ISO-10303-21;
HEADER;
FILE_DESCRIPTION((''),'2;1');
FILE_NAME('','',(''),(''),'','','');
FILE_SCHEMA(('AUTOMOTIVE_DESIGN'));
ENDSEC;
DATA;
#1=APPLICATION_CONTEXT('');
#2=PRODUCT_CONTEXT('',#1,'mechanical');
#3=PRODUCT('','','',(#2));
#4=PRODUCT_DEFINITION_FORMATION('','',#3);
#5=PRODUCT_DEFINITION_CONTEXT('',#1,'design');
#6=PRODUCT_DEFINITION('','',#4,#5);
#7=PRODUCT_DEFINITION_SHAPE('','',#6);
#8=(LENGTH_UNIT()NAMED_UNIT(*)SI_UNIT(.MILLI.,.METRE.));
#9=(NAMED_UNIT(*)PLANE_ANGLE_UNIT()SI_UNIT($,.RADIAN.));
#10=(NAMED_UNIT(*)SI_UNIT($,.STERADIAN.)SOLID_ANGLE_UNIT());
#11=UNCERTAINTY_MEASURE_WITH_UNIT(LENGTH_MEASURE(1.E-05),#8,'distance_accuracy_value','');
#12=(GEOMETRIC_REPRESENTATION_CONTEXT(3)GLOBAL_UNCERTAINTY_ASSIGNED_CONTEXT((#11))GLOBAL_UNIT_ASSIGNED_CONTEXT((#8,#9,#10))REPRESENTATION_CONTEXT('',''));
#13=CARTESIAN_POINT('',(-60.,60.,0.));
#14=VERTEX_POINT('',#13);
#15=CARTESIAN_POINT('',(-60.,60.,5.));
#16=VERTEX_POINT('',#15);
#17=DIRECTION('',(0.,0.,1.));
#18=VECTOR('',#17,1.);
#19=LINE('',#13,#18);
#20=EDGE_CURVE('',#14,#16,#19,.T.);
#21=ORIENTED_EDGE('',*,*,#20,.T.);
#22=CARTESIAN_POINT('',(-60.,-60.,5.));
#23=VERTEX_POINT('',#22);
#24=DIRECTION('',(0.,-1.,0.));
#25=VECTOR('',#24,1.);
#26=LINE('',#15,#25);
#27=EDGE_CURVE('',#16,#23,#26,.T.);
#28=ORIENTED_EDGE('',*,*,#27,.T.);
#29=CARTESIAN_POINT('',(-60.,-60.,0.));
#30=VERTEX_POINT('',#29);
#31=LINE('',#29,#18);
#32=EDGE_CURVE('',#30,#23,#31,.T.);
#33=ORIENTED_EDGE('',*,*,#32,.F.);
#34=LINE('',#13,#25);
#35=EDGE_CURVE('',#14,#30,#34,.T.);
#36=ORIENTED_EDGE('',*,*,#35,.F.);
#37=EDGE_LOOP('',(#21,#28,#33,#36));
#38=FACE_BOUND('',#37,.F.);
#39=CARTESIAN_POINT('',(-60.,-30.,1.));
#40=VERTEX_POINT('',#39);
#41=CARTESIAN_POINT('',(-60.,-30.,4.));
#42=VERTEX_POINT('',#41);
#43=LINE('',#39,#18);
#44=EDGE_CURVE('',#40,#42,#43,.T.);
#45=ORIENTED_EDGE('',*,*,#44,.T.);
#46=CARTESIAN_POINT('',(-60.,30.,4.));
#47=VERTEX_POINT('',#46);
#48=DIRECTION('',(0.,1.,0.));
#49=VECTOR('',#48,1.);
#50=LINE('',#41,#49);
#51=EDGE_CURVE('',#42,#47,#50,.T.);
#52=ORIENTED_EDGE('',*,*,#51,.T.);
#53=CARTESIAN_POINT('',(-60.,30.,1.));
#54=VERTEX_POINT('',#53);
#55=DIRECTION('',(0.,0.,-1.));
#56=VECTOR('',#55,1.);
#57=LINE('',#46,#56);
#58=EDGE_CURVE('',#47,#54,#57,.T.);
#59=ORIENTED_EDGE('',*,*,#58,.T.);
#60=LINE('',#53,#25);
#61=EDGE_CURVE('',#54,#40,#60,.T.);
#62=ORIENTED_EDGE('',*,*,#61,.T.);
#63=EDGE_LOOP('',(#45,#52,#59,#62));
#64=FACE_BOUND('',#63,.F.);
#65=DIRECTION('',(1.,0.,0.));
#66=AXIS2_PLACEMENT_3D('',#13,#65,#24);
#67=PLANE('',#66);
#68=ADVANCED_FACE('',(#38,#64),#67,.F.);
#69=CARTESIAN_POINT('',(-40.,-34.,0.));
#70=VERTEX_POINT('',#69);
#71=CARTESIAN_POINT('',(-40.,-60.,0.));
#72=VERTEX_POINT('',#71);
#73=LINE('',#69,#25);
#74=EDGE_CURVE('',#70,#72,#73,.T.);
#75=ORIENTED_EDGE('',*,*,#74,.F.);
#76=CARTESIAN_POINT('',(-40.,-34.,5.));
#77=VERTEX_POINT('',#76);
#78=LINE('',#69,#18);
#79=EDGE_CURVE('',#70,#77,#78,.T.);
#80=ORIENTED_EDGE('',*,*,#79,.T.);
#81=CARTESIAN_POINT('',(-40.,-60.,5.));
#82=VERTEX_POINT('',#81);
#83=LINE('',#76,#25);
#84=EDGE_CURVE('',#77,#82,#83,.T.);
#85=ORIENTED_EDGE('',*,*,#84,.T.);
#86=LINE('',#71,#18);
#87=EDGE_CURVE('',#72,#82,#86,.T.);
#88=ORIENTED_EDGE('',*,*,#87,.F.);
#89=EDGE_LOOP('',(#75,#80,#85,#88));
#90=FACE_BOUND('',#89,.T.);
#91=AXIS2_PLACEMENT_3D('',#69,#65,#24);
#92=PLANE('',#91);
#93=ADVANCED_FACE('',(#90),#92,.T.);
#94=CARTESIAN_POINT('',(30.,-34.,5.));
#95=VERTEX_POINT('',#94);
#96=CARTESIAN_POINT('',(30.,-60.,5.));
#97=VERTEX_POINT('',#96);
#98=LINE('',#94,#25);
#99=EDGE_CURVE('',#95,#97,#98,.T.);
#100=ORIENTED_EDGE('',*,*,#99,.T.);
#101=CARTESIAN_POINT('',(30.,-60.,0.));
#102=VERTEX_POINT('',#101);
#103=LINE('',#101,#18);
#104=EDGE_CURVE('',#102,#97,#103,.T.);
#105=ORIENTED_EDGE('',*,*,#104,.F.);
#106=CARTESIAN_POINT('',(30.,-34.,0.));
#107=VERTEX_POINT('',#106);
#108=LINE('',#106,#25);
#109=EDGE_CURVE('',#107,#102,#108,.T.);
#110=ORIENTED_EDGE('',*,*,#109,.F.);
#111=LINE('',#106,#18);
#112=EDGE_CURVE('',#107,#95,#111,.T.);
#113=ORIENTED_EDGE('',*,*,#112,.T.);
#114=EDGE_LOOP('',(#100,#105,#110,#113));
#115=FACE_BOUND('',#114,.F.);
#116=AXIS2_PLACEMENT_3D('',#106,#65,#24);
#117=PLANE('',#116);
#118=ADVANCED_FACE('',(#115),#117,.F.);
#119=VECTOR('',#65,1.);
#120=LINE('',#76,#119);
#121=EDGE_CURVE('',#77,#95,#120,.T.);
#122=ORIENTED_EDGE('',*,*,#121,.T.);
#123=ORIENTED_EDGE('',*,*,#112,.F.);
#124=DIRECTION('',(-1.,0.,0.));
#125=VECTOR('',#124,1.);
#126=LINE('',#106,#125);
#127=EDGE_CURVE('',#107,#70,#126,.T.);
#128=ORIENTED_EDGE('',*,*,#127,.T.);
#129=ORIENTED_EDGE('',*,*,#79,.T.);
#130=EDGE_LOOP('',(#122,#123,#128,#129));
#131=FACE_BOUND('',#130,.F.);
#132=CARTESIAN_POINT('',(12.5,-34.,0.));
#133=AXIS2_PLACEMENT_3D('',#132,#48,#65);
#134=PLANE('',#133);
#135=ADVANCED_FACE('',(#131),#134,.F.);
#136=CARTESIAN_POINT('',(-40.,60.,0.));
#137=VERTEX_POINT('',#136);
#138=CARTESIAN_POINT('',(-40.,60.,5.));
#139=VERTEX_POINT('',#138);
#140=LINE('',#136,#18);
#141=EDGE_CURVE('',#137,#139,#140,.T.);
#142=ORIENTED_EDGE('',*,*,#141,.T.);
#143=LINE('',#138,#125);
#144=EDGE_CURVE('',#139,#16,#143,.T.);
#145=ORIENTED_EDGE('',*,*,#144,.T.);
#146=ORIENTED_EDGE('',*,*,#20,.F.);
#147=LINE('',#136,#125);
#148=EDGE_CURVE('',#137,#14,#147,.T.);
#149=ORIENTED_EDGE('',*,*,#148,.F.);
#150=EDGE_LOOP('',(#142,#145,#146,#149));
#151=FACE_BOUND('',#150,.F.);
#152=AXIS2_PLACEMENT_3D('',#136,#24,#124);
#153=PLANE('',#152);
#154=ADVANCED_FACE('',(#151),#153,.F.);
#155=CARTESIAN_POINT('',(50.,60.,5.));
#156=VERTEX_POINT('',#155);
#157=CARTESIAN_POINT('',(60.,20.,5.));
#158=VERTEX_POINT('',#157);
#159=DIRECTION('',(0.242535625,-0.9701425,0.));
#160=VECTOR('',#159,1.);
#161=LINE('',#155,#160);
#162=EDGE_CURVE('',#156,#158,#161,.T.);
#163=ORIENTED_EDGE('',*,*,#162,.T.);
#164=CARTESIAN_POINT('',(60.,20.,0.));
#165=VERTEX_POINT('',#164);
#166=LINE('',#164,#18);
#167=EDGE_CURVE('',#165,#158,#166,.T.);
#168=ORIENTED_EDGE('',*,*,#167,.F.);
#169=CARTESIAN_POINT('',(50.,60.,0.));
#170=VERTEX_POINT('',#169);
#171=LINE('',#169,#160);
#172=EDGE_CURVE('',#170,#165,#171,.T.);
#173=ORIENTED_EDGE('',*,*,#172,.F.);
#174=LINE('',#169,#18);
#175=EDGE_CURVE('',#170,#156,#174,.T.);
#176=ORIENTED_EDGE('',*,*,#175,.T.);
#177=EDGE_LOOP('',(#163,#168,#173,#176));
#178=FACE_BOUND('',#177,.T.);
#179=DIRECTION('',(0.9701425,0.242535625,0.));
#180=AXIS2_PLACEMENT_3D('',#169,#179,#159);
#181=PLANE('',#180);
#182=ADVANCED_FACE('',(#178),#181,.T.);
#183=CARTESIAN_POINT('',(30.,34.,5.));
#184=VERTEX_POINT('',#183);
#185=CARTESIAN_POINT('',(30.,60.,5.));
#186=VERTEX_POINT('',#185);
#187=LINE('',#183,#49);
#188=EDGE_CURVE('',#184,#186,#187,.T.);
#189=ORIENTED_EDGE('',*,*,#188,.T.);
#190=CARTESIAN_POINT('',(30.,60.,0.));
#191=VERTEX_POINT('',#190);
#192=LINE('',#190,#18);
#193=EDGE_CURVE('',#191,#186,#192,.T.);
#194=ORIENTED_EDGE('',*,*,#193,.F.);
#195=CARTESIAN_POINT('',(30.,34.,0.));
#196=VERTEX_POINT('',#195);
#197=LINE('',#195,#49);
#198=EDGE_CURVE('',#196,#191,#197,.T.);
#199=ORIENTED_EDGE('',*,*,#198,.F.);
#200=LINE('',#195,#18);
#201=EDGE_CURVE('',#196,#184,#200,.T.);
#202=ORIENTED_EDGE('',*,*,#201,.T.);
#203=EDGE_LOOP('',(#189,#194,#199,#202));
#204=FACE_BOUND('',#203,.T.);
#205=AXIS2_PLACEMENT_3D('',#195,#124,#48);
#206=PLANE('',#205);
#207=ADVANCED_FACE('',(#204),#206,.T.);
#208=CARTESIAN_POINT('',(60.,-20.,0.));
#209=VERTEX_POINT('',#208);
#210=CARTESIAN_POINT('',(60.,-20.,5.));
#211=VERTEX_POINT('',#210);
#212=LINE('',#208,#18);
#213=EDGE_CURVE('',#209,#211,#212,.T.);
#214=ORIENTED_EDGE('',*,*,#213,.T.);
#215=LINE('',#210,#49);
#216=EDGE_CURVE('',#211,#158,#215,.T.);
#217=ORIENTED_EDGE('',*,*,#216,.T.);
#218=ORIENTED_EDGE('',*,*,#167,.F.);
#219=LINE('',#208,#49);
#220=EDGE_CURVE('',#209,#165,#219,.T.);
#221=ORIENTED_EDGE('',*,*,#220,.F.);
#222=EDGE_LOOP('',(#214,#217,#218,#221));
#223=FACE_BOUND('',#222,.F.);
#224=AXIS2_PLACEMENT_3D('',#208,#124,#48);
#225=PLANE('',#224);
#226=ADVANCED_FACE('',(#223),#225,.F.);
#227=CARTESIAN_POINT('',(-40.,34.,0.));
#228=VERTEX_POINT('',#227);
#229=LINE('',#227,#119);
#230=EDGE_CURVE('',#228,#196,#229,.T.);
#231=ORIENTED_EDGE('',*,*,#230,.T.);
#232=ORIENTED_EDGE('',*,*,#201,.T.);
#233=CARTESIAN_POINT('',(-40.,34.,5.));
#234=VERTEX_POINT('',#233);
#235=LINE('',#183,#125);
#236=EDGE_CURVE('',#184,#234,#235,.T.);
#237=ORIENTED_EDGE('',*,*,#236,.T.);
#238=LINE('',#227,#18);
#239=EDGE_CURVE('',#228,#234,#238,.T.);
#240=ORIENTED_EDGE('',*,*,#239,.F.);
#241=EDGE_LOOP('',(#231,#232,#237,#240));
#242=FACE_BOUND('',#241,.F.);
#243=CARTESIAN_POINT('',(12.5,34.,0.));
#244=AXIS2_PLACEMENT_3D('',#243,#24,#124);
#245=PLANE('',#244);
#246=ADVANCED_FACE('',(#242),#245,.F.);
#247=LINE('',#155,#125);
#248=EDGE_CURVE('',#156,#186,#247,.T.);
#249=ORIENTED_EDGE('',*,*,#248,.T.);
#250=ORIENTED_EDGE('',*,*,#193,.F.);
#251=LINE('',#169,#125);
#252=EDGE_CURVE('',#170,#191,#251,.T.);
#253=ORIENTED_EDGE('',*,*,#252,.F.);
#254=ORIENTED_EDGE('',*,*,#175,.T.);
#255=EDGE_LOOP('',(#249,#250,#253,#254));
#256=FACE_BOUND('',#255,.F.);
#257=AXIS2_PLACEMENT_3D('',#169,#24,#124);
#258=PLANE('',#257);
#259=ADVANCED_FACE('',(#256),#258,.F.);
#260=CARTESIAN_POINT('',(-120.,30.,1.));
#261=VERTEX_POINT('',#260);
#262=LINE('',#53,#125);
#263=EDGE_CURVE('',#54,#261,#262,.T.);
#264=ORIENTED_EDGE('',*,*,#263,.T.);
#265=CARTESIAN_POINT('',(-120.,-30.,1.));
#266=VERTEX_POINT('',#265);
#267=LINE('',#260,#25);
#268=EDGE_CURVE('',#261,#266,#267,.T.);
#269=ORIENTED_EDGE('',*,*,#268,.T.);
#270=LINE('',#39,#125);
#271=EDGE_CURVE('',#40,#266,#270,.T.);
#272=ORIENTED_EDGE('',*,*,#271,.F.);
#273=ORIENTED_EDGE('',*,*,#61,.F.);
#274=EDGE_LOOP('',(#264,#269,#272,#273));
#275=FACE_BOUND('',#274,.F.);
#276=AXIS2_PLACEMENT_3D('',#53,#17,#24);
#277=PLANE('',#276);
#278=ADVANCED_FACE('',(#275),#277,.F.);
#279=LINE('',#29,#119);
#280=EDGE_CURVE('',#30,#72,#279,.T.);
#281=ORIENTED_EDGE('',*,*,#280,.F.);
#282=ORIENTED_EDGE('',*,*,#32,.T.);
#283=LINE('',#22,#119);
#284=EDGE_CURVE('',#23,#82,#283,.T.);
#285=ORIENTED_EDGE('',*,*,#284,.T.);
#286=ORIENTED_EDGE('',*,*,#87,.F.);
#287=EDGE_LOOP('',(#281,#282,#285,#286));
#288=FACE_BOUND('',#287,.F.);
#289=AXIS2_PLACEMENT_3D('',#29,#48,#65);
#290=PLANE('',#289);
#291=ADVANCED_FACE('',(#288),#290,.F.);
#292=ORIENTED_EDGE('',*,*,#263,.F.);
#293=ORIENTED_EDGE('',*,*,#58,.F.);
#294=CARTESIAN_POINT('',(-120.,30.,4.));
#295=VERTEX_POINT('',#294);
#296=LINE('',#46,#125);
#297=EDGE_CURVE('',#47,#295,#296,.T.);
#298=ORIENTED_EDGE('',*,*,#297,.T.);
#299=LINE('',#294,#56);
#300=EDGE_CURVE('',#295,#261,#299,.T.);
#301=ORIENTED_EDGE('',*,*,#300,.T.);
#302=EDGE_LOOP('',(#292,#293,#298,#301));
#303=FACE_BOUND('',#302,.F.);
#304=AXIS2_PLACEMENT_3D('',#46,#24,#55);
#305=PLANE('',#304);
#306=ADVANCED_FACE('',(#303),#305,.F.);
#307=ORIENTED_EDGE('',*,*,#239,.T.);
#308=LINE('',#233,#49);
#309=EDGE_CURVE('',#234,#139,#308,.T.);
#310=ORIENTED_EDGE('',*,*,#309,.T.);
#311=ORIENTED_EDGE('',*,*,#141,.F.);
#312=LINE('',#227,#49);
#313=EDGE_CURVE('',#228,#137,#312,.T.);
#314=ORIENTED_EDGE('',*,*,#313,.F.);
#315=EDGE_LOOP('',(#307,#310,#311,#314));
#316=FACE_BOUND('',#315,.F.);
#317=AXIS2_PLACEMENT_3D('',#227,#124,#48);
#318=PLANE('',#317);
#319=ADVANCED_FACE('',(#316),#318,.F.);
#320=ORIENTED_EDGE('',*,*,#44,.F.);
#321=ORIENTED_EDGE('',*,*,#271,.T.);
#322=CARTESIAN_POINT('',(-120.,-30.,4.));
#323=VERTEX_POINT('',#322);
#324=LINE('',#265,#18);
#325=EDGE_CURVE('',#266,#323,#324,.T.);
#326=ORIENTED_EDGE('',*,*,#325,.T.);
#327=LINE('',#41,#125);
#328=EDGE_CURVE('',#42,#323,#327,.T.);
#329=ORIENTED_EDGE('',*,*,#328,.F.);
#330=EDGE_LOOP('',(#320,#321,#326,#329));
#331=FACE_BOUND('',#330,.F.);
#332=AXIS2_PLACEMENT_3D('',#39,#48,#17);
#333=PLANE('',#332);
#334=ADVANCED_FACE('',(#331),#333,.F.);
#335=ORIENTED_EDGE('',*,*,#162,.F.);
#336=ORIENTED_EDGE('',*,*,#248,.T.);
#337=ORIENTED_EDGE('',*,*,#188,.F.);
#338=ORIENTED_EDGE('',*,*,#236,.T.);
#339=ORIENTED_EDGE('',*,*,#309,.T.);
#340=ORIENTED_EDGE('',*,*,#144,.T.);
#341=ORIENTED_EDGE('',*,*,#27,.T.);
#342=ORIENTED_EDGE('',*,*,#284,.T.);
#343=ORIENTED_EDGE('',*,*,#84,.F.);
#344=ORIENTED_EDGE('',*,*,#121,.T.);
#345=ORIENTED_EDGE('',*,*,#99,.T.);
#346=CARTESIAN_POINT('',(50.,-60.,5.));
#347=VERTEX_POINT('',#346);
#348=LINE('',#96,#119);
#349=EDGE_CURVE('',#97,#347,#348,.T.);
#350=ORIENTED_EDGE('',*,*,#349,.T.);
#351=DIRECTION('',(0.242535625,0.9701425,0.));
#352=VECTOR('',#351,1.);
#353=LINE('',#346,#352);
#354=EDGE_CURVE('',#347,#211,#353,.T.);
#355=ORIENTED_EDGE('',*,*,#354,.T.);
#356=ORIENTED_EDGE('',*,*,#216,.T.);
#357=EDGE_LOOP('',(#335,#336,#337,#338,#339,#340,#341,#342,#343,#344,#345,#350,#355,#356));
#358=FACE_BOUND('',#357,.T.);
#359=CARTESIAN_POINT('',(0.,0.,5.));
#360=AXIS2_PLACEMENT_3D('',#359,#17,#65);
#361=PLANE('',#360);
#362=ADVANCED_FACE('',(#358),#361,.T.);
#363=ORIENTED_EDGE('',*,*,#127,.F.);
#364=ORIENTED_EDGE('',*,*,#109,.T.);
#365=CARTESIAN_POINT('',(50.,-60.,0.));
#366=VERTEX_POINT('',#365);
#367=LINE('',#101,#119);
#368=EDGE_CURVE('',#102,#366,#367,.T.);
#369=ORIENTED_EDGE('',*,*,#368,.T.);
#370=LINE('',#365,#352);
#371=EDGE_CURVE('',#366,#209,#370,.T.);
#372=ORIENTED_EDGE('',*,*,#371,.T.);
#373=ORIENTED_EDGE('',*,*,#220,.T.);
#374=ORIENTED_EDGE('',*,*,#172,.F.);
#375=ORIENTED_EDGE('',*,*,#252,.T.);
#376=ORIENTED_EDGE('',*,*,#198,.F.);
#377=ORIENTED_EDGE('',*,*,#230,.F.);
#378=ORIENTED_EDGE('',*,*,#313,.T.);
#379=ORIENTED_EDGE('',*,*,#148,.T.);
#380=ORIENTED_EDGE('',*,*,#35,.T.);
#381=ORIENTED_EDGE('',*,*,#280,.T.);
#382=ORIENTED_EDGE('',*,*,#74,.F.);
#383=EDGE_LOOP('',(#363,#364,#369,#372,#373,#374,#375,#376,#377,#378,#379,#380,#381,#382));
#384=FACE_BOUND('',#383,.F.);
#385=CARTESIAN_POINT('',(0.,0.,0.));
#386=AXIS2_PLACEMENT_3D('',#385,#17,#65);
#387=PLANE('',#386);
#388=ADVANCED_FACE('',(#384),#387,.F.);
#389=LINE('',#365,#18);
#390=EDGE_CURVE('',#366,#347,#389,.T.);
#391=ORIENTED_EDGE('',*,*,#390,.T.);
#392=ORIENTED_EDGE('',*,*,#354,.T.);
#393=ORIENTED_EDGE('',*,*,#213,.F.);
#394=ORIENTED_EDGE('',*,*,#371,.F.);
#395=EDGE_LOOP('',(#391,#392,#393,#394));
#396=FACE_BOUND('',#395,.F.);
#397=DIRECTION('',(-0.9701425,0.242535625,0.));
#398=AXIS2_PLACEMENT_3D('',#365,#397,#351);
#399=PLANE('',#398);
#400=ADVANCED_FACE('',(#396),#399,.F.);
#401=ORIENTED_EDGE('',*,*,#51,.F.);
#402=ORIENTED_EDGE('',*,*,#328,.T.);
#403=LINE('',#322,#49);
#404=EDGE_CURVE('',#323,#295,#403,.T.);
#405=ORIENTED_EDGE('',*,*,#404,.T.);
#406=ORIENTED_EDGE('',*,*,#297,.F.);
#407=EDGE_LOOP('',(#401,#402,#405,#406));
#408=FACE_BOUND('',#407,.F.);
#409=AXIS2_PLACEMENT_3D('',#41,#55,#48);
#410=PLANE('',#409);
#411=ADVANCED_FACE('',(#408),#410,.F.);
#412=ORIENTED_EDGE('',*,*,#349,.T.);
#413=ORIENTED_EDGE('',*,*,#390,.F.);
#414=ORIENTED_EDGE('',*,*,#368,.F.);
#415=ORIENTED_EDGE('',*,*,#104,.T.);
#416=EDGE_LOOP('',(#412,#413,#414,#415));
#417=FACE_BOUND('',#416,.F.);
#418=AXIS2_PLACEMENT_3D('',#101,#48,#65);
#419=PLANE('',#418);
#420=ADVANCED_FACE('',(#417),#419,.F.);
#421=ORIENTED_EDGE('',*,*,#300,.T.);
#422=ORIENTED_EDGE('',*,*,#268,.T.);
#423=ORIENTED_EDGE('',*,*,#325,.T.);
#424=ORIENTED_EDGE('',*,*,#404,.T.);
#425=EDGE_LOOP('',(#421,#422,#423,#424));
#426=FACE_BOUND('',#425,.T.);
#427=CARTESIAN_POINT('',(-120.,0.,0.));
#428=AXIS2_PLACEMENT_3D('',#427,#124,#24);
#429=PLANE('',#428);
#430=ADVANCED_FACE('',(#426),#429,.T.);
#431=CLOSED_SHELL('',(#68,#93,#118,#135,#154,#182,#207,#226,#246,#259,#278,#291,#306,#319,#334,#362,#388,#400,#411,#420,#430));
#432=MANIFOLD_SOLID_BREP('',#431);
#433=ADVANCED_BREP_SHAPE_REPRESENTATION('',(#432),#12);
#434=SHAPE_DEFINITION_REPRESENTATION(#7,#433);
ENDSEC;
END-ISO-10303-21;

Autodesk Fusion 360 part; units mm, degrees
sketch "Bottom back base" plane through (0, 0, 0) normal (0, 0, 1) x (1, 0, 0)
  line L0 (-60, 60) -> (-60, -60)
  line L1 (60, -20) -> (60, 20)
  line L2 (-60, 0) -> (-57.5, 0) construction
  line L3 (-57.5, -60) -> (-57.5, -6) construction
  line L4 (-57.5, -6) -> (12.5, -6) construction
  line L5 (12.5, -6) -> (12.5, -34) construction
  line L6 (12.5, -34) -> (30, -34)
  line L7 (30, -34) -> (12.5, -34)
  line L8 (12.5, -34) -> (-40, -34)
  line L9 (-40, -34) -> (-40, -60)
  line L10 (30, -34) -> (30, -60)
  line L11 (-40, 34) -> (-40, 60)
  line L12 (12.5, 34) -> (-40, 34)
  line L13 (12.5, 34) -> (30, 34)
  line L14 (30, 34) -> (30, 60)
  line L15 (50, -60) -> (60, -20)
  line L16 (50, 60) -> (60, 20)
  line L17 (50, 60) -> (30, 60)
  line L18 (-40, 60) -> (-60, 60)
  line L19 (-60, -60) -> (-40, -60)
  line L20 (30, -60) -> (50, -60)
  point P0 (60, 60)
  point P1 (60, -60)
  dimension "d1" = 120
  dimension "d2" = 120
  dimension "d3" = 2.5
  dimension "d4" = 54
  dimension "d5" = 70
  dimension "d6" = 28
  dimension "d8" = 70
  dimension "d9" = 10
  dimension "d10" = 40
  dimension "d11" = 10
  dimension "d12" = 40
extrude "Bottom back height" add sketch "Bottom back base" along normal blind 5
sketch "Connector" plane through (-60, 0, 0) normal (-1, 0, 0) x (0, -1, 0)
  line L0 (-60, 0) -> (60, 0)
  line L1 (60, 0) -> (60, 5)
  line L2 (60, 5) -> (-60, 5)
  line L3 (-60, 5) -> (-60, 0)
  line L4 (0, 0) -> (0, 5) construction
  line L5 (30, 4) -> (-30, 4)
  line L6 (-30, 4) -> (-30, 1)
  line L7 (-30, 1) -> (30, 1)
  line L8 (30, 1) -> (30, 4)
  line L9 (30, 4) -> (-30, 1) construction
  line L10 (-30, 4) -> (30, 1) construction
  point P0 (0, 2.5)
  dimension "d15" = 3
  dimension "d16" = 60
extrude "Connector width" add sketch "Connector" along normal blind 60 contours L5 L6 L7 L8
equation "d6 = 54 mm - 26 mm"
